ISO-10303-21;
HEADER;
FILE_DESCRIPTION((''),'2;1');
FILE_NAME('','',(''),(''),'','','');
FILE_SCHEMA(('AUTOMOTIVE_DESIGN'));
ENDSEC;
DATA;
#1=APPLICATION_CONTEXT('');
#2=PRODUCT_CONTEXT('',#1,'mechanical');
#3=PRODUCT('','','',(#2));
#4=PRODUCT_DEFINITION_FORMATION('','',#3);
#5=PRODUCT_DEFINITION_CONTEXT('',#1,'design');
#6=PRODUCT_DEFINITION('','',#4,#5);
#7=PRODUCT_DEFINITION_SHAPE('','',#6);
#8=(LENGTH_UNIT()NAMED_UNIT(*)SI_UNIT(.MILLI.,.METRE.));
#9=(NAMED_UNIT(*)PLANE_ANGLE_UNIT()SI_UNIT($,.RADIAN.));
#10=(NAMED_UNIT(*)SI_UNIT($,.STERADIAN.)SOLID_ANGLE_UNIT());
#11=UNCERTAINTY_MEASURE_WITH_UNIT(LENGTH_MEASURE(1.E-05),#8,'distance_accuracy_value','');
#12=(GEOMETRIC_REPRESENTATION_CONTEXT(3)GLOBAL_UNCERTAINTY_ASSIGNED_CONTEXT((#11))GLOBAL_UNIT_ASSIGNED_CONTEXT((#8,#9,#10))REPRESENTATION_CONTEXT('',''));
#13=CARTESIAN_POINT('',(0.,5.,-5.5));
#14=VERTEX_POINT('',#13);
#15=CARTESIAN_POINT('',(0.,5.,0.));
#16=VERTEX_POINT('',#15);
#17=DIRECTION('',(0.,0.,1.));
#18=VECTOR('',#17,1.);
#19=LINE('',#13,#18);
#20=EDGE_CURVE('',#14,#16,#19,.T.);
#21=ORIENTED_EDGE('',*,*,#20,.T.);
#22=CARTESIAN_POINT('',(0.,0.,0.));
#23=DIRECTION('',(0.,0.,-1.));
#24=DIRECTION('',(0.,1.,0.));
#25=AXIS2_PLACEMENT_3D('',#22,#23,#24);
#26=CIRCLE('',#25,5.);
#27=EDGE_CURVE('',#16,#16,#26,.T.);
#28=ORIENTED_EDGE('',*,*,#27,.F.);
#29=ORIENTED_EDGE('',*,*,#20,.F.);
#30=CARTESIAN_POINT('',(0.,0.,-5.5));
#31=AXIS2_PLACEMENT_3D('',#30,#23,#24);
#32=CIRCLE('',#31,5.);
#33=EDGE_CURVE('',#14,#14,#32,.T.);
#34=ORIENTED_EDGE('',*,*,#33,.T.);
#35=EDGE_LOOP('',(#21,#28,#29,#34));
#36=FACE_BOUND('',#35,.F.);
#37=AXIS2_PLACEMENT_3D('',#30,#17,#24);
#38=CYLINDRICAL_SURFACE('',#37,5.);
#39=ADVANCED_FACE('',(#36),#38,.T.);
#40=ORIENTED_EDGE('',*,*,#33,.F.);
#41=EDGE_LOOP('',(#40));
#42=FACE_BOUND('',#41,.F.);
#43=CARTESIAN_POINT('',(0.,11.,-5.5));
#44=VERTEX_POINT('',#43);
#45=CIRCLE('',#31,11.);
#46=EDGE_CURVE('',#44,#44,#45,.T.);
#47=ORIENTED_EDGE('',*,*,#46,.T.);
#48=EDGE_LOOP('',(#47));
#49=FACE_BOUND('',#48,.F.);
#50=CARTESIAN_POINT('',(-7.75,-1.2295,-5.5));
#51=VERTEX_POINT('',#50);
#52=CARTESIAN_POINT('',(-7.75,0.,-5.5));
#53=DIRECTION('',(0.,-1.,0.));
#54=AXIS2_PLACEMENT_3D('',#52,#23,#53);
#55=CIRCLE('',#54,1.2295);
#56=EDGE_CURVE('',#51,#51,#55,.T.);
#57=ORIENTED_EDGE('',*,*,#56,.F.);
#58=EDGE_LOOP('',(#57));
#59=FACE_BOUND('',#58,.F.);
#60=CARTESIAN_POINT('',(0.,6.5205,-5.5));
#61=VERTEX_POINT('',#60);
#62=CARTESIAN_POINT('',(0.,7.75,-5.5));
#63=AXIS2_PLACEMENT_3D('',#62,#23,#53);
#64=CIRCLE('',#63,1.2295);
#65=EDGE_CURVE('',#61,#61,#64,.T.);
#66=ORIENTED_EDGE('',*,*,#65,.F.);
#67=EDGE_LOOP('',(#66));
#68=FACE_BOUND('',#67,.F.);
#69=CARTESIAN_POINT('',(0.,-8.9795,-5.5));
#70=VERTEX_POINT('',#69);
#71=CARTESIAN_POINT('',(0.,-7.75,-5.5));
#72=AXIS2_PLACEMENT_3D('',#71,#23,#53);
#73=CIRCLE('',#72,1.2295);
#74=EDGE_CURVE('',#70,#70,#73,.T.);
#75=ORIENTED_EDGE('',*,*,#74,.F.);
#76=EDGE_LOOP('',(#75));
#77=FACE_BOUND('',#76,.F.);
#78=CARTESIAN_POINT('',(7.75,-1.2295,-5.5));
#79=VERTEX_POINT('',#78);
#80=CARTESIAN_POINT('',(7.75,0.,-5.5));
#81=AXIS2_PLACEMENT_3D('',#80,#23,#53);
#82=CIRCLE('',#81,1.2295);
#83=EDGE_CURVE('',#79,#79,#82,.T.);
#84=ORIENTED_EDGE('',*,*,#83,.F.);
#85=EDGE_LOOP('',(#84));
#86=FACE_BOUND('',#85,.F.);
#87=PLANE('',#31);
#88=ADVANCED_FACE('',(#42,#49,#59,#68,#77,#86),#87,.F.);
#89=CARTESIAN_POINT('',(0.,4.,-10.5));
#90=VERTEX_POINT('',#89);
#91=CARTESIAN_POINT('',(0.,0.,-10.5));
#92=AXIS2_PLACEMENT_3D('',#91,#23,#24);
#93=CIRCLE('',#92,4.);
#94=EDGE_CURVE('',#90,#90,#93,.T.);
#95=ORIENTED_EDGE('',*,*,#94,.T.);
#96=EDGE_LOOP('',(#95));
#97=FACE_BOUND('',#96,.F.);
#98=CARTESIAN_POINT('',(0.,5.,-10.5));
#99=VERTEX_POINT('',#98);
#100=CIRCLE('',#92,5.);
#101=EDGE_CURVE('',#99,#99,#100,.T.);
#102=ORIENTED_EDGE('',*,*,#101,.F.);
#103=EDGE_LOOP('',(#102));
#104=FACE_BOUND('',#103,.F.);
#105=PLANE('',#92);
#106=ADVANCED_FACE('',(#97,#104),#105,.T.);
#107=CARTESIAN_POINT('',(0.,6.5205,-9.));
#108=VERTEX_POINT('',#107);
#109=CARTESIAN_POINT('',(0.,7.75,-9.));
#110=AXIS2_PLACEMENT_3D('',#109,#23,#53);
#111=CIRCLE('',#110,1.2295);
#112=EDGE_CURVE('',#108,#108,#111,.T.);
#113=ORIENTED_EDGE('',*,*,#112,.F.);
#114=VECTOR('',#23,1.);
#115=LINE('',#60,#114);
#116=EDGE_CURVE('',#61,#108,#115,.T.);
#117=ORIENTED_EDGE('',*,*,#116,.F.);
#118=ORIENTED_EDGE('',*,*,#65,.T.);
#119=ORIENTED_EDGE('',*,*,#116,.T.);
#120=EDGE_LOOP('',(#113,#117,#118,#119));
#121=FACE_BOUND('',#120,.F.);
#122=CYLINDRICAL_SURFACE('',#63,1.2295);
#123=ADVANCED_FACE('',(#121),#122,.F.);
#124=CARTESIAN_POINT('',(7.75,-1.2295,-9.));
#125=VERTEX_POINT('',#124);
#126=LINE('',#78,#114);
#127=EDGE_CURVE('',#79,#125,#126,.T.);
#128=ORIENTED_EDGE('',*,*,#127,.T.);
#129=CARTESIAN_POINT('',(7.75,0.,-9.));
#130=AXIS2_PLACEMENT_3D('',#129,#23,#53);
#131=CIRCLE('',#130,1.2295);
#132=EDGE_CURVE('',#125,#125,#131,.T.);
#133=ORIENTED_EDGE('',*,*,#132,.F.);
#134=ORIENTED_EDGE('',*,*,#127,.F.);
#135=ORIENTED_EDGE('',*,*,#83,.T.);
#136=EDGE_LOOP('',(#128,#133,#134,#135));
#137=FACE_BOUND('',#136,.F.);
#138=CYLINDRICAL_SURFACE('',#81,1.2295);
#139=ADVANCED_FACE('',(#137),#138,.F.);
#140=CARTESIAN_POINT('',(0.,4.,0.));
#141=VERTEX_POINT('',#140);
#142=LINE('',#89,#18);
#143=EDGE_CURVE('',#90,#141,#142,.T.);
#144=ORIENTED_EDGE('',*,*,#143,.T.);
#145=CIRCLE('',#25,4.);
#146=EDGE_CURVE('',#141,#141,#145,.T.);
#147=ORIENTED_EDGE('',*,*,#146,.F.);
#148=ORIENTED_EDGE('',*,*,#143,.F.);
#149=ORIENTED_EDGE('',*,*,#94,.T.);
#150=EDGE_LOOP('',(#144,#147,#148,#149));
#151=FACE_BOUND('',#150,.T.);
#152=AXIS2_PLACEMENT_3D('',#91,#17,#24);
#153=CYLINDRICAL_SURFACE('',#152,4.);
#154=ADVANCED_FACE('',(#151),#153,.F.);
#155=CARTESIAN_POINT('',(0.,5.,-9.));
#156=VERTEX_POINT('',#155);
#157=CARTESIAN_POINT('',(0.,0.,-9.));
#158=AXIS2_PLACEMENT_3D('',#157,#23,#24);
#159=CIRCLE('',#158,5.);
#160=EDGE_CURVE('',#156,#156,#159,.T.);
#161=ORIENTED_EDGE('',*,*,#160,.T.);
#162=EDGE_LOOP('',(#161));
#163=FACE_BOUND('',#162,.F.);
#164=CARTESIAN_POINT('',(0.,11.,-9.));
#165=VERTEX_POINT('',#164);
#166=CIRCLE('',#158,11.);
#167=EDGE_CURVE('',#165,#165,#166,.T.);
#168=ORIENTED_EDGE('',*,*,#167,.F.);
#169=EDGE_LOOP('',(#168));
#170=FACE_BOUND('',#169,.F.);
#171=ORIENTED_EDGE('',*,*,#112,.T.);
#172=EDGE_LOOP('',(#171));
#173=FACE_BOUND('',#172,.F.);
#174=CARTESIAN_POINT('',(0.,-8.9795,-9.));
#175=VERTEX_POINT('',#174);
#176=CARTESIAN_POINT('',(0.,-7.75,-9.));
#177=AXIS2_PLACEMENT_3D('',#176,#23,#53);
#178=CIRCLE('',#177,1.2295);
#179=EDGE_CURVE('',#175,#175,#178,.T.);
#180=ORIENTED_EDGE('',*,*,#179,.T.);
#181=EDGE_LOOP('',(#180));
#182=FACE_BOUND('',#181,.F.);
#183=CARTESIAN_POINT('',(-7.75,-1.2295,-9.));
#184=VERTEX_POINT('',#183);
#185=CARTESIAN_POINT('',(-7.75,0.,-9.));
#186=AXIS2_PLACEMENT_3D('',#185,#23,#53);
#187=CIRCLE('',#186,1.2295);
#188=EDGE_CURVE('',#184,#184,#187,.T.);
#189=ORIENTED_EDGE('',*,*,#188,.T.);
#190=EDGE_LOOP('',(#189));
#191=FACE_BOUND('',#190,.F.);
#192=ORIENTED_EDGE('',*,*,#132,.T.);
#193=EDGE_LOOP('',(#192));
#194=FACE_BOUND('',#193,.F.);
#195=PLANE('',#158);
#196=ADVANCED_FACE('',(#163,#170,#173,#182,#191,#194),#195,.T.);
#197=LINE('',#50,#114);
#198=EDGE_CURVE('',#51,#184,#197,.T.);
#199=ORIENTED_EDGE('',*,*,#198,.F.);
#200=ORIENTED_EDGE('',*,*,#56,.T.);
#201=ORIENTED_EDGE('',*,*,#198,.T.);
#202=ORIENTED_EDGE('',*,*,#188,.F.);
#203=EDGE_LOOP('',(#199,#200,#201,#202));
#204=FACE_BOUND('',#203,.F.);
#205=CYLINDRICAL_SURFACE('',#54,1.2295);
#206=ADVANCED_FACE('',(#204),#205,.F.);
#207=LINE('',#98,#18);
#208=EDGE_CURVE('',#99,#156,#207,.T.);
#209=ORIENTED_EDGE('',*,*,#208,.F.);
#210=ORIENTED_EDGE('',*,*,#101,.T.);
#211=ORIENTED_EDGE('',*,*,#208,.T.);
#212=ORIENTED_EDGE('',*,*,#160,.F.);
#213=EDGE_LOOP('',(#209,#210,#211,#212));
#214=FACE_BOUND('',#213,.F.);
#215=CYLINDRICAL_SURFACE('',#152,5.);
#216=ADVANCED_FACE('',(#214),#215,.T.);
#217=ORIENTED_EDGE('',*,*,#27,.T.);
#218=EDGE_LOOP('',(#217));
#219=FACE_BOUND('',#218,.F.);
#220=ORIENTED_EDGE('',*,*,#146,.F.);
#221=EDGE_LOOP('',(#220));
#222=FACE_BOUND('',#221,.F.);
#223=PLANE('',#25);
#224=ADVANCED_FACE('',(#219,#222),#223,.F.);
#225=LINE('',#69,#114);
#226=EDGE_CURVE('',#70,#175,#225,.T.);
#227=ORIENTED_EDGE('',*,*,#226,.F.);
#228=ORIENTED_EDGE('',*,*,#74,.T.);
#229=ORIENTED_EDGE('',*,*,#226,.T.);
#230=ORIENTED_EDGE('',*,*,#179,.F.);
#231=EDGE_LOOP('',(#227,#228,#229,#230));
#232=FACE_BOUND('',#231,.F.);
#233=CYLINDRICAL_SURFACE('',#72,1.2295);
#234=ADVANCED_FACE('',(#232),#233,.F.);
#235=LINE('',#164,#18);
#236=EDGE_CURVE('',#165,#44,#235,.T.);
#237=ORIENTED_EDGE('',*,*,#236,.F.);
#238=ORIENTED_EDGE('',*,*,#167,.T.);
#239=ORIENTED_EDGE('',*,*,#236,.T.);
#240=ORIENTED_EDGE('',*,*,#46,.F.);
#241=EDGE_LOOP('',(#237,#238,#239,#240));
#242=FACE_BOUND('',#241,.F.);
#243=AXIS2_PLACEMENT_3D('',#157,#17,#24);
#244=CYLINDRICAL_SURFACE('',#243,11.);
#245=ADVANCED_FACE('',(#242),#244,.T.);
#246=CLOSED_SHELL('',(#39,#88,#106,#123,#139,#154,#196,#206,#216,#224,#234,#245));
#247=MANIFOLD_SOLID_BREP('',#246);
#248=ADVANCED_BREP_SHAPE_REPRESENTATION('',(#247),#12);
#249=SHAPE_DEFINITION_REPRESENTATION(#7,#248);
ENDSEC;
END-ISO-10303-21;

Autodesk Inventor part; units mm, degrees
ref_plane "YZ Plane" through (0, 0, 0) normal (1, 0, 0) x (0, 1, 0)
ref_plane "XZ Plane" through (0, 0, 0) normal (0, 1, 0) x (-1, 0, 0)
ref_plane "XY Plane" through (0, 0, 0) normal (0, 0, 1) x (1, 0, 0)
sketch "Sketch1" plane through (0, 0, 0) normal (1, 0, 0) x (0, 1, 0)
  line L0 (4, -10.5) -> (4, 0)
  line L1 (0, 0) -> (0, -10.5)
  line L2 (4, -10.5) -> (5, -10.5)
  line L3 (5, -10.5) -> (5, -9)
  line L4 (5, -9) -> (11, -9)
  line L5 (11, -9) -> (11, -5.5)
  line L6 (11, -5.5) -> (5, -5.5)
  line L7 (5, -5.5) -> (5, 0)
  line L8 (5, 0) -> (4, 0)
  dimension "d0" = 10.5
  dimension "d1" = 4
  dimension "d2" = 5
  dimension "d3" = 5
  dimension "d4" = 3.5
  dimension "d10" = 11
revolve "Revolution1" add sketch "Sketch1" angle 360 about axis through (0, 0, 0) along (0, 0, -1)
sketch "Sketch2" plane through (0, 0, -5.5) normal (0, 0, 1) x (1, 0, 0)
  point P0 (0, 0)
  point P1 (0, 7.75)
  point P2 (-7.75, 0)
  point P3 (0, -7.75)
  point P4 (7.75, 0)
  dimension "d6" = 15.5
  dimension "d7" = 7.75
  dimension "d8" = 15.5
  dimension "d9" = 7.75
hole "Hole1" at (0, 7.75, -5.5) at (-7.75, 0, -5.5) at (0, -7.75, -5.5) at (7.75, 0, -5.5) direction (0, 0, -1) diameter 2.459 end through all thread size "M3x0.5" class "6H" standard "ISO Metric profile"
equation "\"d7\" = 0.5 * d6"
equation "\"d9\" = 0.5 * d8"
properties part number "Z Axis Nut" material "Brass, Soft Yellow"
